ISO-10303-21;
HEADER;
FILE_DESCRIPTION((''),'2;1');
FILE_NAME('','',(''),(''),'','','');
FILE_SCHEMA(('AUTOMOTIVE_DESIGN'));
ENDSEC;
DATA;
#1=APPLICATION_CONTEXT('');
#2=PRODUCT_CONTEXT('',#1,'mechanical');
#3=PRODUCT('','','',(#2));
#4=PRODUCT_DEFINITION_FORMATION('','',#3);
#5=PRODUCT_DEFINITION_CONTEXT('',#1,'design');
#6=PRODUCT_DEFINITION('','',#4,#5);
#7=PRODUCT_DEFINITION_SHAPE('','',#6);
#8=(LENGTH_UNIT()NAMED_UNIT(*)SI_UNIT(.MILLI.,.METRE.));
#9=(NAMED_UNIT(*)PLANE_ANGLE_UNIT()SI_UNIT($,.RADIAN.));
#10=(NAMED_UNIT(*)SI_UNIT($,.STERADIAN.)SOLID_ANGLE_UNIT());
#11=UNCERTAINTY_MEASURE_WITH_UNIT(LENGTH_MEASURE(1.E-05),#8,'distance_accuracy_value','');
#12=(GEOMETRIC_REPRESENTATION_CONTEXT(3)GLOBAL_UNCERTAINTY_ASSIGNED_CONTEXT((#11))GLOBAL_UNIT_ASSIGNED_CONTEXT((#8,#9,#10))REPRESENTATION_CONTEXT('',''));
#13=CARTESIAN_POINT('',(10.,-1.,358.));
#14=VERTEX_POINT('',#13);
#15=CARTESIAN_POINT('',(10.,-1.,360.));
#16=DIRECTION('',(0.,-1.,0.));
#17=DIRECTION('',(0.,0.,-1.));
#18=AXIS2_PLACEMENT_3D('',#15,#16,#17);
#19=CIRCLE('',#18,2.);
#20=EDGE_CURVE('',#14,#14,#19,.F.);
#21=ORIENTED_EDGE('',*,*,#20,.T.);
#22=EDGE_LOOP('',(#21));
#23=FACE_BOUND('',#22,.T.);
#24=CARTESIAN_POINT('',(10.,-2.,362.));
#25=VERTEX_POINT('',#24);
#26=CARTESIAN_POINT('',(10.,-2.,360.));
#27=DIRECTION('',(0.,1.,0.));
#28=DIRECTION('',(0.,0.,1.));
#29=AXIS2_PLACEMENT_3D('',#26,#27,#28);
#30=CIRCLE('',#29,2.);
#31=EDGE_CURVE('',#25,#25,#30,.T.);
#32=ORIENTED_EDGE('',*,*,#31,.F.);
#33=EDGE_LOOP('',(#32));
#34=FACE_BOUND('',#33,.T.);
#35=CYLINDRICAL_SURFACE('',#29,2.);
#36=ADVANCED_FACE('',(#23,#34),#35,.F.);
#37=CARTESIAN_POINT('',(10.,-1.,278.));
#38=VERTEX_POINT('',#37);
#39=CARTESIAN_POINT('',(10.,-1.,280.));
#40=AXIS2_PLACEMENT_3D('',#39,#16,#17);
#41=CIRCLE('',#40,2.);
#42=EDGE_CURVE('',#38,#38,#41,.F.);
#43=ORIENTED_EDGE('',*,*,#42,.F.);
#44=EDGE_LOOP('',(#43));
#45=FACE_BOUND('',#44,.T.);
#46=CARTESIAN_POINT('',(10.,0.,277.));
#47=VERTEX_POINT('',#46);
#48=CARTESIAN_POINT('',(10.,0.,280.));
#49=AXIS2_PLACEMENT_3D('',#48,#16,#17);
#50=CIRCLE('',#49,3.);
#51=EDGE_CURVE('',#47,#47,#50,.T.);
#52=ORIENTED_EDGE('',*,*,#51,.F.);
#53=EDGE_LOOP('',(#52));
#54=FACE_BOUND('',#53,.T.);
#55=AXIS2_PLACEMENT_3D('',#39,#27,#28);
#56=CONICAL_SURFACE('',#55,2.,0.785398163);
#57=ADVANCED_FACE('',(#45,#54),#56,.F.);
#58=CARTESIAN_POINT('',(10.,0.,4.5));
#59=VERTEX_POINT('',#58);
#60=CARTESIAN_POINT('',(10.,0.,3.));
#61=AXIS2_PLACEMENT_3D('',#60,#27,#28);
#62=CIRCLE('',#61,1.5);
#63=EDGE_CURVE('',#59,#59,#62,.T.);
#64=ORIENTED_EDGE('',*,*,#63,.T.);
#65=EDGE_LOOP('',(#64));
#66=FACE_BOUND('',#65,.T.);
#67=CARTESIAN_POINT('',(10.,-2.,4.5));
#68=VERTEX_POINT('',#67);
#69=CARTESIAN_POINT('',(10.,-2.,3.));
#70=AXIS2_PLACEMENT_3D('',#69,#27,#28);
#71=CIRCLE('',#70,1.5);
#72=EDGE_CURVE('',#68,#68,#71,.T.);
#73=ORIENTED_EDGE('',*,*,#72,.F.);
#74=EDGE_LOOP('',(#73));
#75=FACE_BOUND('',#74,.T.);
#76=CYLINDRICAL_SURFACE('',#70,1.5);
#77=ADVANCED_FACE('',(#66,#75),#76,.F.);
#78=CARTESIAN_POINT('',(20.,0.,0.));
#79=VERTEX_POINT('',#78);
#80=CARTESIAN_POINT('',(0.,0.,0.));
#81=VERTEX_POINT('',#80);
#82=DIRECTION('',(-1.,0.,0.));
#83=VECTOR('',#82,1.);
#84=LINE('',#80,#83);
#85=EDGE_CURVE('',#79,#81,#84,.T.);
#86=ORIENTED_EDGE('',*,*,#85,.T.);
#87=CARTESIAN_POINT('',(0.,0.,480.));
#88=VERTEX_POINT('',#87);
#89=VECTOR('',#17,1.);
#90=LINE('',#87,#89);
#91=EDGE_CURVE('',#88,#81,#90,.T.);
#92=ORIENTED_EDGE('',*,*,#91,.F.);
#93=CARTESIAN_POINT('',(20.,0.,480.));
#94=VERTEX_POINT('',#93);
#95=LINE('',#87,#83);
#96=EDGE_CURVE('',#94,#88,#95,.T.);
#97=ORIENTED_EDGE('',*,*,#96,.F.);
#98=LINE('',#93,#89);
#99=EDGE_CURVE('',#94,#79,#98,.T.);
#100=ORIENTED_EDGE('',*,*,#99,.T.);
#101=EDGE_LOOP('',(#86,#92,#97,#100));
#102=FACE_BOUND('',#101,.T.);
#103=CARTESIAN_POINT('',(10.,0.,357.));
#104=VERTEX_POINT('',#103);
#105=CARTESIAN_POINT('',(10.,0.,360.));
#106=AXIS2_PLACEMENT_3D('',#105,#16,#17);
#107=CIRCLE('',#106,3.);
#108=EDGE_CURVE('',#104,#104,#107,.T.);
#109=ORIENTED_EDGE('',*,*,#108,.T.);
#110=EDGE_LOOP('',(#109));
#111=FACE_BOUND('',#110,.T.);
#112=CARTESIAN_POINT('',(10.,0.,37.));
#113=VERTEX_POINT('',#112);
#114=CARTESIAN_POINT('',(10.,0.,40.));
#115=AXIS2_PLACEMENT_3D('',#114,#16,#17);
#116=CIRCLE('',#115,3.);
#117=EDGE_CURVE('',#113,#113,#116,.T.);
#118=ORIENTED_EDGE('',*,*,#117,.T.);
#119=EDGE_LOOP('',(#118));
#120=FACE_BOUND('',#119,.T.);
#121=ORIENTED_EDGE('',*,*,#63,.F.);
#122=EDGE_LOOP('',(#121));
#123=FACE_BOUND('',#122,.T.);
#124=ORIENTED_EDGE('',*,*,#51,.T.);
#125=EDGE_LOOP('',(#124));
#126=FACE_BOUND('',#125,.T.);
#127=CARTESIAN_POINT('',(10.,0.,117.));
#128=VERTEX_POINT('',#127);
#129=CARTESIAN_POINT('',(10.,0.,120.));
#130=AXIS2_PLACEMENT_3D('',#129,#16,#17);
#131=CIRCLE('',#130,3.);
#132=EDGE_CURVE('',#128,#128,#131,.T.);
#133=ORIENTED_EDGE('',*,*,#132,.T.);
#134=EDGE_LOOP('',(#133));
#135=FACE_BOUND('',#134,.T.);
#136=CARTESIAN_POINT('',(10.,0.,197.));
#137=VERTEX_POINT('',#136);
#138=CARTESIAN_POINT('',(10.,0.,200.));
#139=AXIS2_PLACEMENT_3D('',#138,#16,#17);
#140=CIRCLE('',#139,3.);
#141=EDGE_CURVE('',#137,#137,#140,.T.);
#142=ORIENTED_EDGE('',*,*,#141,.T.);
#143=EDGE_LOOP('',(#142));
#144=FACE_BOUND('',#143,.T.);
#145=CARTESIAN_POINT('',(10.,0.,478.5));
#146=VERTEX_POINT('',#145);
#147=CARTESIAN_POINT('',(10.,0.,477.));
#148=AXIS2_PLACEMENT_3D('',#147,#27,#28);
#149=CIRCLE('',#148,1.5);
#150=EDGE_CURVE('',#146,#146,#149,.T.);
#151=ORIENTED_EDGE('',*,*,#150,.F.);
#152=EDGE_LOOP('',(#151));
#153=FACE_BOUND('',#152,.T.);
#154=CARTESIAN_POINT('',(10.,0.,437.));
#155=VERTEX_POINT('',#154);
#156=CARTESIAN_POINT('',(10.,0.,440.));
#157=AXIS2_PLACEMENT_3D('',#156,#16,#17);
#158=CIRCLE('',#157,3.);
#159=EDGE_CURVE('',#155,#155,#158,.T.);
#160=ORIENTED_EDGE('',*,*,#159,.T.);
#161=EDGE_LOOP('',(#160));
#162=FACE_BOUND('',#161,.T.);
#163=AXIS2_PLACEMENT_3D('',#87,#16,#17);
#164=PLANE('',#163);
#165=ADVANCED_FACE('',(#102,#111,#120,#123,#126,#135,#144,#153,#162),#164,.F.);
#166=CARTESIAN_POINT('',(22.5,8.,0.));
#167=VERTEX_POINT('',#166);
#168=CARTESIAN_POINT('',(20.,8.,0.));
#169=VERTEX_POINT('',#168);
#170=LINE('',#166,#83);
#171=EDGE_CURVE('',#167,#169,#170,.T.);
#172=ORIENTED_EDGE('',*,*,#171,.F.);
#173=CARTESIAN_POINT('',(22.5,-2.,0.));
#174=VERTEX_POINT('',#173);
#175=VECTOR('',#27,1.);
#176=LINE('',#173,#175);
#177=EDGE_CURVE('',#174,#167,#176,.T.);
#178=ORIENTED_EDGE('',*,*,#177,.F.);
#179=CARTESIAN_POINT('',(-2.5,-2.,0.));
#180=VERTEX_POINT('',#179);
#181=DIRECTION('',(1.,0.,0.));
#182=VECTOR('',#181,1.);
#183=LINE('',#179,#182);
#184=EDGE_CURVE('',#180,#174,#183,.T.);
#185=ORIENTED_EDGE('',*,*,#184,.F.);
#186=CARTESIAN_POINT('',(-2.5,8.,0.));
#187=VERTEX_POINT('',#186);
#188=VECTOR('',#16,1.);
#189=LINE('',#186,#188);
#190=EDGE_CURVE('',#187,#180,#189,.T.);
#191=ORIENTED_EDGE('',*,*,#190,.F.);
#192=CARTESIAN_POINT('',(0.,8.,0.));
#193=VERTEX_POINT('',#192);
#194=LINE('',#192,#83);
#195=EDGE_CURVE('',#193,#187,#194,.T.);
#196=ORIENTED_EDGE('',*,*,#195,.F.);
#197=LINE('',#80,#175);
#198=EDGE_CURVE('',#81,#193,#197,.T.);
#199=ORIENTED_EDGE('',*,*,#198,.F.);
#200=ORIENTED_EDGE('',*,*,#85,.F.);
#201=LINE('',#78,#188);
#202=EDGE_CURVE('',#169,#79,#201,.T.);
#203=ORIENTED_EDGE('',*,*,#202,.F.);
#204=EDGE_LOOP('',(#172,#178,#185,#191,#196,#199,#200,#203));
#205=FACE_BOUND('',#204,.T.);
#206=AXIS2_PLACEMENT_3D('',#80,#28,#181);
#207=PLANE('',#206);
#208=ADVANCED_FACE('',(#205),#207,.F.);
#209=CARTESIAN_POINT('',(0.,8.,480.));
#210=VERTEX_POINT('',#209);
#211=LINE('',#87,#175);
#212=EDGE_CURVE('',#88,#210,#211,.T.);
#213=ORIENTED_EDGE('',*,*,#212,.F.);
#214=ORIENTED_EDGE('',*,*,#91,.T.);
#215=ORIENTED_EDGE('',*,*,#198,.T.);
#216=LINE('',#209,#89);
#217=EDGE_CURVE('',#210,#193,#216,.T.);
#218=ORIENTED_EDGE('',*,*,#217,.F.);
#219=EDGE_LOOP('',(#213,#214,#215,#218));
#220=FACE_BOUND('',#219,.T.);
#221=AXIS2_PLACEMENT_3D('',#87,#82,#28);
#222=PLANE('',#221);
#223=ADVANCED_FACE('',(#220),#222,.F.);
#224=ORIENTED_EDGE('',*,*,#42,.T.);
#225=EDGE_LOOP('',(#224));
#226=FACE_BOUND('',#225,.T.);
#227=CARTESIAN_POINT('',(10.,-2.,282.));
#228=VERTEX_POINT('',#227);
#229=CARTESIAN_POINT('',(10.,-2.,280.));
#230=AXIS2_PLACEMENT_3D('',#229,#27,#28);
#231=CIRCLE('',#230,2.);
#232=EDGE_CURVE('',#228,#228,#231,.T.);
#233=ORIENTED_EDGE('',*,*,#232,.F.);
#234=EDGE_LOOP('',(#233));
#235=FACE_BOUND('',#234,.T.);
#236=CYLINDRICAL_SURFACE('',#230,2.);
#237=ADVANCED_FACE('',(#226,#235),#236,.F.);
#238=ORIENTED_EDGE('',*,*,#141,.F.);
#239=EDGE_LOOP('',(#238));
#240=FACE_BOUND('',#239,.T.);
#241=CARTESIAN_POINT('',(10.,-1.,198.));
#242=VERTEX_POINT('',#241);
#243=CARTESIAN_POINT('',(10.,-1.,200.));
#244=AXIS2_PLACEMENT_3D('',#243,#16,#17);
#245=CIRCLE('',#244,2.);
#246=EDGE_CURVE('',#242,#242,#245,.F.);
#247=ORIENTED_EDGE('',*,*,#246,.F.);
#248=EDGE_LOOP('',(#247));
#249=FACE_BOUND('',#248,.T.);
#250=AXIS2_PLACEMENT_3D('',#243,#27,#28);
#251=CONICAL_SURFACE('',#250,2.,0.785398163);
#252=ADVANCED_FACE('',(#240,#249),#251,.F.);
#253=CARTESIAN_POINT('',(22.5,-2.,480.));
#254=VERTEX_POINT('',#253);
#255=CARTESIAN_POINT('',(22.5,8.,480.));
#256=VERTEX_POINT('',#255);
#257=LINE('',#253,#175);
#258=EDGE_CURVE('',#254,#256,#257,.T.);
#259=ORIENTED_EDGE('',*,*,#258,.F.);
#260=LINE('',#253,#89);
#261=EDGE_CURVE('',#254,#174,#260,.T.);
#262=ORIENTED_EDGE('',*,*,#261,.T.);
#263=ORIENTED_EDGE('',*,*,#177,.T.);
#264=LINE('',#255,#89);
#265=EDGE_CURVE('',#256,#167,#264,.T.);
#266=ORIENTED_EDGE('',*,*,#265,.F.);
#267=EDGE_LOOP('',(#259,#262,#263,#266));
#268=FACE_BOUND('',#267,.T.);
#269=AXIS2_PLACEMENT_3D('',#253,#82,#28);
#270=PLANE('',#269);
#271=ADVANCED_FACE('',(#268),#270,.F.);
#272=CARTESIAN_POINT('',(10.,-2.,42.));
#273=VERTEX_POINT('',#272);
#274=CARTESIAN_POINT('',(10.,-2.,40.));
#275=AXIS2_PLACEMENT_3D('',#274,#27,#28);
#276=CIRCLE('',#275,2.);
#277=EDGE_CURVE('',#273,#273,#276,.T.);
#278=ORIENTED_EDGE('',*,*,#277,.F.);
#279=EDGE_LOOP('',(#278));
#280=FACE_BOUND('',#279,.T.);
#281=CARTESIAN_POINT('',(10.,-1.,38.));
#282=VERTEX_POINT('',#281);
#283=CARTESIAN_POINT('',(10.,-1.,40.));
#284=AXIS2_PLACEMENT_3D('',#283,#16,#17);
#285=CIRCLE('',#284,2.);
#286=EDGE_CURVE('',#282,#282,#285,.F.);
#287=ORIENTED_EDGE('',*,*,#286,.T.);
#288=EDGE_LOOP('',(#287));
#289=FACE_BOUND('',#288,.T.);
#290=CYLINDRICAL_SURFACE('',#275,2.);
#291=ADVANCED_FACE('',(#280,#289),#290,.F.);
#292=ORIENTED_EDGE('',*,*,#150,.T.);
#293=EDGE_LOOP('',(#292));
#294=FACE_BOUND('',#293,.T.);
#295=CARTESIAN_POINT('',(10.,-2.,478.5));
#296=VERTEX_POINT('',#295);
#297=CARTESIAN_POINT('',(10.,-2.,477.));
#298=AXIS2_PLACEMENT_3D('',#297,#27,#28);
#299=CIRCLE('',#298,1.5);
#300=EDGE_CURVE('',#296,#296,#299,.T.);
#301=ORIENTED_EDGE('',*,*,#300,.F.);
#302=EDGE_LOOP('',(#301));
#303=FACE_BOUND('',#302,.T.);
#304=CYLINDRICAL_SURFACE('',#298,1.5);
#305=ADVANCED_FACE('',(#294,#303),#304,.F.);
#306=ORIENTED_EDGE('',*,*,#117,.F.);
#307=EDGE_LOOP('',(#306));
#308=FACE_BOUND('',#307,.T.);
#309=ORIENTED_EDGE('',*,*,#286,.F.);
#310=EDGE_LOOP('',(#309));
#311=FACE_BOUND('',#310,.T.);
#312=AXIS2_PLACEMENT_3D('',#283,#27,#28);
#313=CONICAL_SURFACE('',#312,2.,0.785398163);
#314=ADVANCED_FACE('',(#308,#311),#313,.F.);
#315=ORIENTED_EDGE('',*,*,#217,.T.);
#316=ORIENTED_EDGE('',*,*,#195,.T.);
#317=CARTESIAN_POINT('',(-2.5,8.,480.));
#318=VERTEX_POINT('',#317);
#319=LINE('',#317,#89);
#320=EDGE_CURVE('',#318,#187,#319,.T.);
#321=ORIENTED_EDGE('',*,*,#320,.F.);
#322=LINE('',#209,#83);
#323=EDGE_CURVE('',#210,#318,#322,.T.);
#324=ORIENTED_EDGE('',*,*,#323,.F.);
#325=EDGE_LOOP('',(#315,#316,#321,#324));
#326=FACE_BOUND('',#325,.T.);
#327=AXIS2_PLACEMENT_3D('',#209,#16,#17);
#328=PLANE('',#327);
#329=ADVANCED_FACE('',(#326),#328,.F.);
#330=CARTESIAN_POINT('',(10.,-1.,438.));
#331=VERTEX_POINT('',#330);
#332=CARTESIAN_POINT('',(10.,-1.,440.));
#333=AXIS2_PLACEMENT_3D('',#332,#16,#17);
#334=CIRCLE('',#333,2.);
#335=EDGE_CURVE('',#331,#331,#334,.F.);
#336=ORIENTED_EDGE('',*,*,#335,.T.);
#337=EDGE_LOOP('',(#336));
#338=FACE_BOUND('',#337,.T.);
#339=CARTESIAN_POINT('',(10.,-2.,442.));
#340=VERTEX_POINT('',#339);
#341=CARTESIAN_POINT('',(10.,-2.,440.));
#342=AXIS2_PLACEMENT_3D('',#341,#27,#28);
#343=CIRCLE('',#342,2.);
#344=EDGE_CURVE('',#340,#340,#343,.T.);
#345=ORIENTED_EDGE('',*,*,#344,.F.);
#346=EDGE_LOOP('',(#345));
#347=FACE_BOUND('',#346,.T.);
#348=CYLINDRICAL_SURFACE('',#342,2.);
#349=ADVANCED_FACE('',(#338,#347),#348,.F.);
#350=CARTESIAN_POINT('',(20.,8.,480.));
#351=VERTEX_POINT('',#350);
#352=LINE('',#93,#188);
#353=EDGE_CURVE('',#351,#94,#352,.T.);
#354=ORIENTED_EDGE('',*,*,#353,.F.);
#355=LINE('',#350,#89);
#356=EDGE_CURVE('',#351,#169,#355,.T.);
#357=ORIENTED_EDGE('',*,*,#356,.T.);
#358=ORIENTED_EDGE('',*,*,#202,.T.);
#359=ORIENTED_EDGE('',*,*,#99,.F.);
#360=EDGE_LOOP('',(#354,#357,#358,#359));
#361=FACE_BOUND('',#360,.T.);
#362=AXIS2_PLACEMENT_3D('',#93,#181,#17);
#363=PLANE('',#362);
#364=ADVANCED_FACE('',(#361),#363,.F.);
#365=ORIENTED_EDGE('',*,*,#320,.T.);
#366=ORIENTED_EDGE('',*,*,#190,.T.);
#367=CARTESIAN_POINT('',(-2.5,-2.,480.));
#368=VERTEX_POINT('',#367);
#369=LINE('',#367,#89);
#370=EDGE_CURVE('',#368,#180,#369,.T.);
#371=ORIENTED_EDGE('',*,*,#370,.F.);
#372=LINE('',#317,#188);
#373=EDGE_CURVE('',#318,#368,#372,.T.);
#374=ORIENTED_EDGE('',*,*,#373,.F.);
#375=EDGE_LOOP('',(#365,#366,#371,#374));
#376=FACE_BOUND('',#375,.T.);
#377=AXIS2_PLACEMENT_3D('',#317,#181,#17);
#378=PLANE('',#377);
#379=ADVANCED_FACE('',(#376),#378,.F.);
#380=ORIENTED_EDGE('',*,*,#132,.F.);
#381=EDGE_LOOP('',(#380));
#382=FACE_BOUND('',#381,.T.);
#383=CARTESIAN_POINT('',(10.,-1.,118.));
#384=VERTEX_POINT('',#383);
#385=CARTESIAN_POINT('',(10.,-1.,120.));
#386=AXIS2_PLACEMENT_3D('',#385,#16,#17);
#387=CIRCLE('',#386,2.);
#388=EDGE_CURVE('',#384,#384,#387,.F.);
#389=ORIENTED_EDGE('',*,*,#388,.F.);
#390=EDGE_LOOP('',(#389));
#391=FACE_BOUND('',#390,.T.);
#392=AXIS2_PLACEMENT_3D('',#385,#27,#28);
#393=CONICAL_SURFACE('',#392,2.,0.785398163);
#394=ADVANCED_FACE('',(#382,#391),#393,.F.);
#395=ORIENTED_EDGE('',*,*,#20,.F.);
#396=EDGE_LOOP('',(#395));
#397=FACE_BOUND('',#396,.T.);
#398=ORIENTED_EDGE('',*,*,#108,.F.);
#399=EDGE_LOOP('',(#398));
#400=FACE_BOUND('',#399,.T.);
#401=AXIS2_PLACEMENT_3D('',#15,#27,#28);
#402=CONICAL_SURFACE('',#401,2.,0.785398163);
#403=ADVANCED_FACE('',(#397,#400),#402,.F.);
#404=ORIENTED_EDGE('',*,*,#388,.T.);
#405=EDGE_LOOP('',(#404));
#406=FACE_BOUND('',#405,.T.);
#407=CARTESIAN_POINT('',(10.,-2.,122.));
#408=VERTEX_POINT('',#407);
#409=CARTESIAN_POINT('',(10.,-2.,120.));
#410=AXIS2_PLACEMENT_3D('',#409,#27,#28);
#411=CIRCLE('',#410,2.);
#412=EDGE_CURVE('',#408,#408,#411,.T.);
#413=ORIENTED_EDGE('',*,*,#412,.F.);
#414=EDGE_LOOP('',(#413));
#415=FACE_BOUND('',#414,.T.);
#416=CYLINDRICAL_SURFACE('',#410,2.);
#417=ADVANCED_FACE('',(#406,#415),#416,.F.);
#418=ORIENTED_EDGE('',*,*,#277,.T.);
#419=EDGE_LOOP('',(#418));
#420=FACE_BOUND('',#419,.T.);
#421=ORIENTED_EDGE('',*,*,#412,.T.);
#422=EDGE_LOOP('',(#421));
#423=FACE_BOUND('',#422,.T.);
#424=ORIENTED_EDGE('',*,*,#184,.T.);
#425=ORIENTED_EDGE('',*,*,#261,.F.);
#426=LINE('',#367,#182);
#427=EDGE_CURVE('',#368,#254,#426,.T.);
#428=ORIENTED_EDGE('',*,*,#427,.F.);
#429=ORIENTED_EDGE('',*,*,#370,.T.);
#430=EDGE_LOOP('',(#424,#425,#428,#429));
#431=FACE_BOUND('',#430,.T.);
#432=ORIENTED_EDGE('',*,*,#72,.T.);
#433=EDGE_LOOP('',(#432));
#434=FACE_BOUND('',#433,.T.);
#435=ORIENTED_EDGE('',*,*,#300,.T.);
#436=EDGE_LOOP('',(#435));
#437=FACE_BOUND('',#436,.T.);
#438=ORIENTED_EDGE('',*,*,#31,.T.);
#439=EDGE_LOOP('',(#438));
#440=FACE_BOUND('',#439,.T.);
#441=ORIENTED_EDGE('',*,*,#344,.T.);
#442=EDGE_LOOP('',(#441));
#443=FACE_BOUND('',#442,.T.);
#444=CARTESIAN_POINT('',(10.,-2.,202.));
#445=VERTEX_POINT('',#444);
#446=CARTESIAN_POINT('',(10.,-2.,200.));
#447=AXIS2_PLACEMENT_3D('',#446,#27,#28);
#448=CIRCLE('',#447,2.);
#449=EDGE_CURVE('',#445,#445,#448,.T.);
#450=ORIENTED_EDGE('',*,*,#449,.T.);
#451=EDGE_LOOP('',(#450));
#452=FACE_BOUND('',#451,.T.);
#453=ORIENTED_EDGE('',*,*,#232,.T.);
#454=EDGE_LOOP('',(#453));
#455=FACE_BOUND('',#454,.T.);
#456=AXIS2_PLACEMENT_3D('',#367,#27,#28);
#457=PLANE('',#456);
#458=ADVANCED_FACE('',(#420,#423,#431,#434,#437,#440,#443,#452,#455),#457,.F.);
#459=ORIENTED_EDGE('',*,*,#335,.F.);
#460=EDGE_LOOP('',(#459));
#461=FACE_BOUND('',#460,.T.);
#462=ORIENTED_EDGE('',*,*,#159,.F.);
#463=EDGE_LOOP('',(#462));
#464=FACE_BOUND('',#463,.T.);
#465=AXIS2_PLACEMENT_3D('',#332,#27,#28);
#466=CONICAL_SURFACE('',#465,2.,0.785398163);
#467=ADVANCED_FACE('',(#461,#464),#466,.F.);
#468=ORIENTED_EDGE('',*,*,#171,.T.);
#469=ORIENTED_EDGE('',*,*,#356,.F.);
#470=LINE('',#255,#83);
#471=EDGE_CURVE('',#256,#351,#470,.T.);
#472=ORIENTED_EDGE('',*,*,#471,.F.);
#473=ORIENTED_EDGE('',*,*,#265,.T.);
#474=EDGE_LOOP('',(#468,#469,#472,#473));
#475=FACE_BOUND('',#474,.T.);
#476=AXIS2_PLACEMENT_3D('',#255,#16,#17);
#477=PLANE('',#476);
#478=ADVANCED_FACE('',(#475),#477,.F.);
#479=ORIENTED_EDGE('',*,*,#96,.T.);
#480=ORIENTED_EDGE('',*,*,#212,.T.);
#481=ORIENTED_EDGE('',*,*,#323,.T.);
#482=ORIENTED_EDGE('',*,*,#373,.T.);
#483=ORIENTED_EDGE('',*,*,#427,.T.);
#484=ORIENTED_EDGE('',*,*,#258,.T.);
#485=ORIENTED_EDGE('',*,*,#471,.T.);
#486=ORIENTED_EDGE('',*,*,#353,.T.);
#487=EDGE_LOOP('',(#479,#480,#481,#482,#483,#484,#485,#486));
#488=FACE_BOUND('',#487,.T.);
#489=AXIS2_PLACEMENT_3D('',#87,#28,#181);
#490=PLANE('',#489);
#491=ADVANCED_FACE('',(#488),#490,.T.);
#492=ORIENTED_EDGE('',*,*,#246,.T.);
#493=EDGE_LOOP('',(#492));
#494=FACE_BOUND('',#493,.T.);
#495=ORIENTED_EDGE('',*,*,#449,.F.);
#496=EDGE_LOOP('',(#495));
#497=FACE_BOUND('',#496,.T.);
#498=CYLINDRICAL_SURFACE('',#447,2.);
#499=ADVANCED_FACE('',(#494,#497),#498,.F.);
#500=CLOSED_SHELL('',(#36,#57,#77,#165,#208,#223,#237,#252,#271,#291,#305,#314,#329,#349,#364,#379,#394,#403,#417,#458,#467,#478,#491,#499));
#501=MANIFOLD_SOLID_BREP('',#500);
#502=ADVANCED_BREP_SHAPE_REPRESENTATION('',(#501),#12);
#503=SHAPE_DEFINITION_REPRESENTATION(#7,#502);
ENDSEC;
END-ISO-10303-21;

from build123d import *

# Parameters (mm, degrees)
EXTRUDE_1_DEPTH     = 480
SKETCH_2_R          = 1.5
SKETCH_2_R_2        = 2
CUT_EXTRUDE_1_DEPTH = 481.59364332
CHAMFER_1_SIZE      = 1


with BuildPart() as part:
    # ｽｹｯﾁ1 → ﾎﾞｽ - 押し出し1 (new body)
    with BuildSketch(Plane.XY):
        Polygon((0, 8), (-2.5, 8), (-2.5, -2), (22.5, -2), (22.5, 8), (20, 8), (20, 0), (0, 0), align=None)
    extrude(amount=EXTRUDE_1_DEPTH)

    # ｽｹｯﾁ2 → ｶｯﾄ - 押し出し1 (cut, through all)
    with BuildSketch(Plane(origin=(0, 0, 0), x_dir=(1, 0, 0), z_dir=(0, 1, 0))):
        with Locations(Location((10, -477, 0), (0, 0, 270))):
            Circle(SKETCH_2_R)
        with Locations(Location((10, -440, 0), (0, 0, 270))):
            Circle(SKETCH_2_R_2)
        with Locations(Location((10, -360, 0), (0, 0, 270))):
            Circle(SKETCH_2_R_2)
        with Locations(Location((10, -280, 0), (0, 0, 270))):
            Circle(SKETCH_2_R_2)
        with Locations(Location((10, -200, 0), (0, 0, 270))):
            Circle(SKETCH_2_R_2)
        with Locations(Location((10, -120, 0), (0, 0, 270))):
            Circle(SKETCH_2_R_2)
        with Locations(Location((10, -40, 0), (0, 0, 270))):
            Circle(SKETCH_2_R_2)
        with Locations(Location((10, -3, 0), (0, 0, 270))):
            Circle(SKETCH_2_R)
    extrude(amount=-CUT_EXTRUDE_1_DEPTH, mode=Mode.SUBTRACT)

    # 面取り1
    chamfer_1_edges = [part.edges().sort_by_distance(p)[0] for p in [
        (10, 0, 438),
        (10, 0, 358),
        (10, 0, 278),
        (10, 0, 198),
        (10, 0, 118),
        (10, 0, 38),
    ]]
    chamfer(chamfer_1_edges, length=CHAMFER_1_SIZE)


solid = part.part
